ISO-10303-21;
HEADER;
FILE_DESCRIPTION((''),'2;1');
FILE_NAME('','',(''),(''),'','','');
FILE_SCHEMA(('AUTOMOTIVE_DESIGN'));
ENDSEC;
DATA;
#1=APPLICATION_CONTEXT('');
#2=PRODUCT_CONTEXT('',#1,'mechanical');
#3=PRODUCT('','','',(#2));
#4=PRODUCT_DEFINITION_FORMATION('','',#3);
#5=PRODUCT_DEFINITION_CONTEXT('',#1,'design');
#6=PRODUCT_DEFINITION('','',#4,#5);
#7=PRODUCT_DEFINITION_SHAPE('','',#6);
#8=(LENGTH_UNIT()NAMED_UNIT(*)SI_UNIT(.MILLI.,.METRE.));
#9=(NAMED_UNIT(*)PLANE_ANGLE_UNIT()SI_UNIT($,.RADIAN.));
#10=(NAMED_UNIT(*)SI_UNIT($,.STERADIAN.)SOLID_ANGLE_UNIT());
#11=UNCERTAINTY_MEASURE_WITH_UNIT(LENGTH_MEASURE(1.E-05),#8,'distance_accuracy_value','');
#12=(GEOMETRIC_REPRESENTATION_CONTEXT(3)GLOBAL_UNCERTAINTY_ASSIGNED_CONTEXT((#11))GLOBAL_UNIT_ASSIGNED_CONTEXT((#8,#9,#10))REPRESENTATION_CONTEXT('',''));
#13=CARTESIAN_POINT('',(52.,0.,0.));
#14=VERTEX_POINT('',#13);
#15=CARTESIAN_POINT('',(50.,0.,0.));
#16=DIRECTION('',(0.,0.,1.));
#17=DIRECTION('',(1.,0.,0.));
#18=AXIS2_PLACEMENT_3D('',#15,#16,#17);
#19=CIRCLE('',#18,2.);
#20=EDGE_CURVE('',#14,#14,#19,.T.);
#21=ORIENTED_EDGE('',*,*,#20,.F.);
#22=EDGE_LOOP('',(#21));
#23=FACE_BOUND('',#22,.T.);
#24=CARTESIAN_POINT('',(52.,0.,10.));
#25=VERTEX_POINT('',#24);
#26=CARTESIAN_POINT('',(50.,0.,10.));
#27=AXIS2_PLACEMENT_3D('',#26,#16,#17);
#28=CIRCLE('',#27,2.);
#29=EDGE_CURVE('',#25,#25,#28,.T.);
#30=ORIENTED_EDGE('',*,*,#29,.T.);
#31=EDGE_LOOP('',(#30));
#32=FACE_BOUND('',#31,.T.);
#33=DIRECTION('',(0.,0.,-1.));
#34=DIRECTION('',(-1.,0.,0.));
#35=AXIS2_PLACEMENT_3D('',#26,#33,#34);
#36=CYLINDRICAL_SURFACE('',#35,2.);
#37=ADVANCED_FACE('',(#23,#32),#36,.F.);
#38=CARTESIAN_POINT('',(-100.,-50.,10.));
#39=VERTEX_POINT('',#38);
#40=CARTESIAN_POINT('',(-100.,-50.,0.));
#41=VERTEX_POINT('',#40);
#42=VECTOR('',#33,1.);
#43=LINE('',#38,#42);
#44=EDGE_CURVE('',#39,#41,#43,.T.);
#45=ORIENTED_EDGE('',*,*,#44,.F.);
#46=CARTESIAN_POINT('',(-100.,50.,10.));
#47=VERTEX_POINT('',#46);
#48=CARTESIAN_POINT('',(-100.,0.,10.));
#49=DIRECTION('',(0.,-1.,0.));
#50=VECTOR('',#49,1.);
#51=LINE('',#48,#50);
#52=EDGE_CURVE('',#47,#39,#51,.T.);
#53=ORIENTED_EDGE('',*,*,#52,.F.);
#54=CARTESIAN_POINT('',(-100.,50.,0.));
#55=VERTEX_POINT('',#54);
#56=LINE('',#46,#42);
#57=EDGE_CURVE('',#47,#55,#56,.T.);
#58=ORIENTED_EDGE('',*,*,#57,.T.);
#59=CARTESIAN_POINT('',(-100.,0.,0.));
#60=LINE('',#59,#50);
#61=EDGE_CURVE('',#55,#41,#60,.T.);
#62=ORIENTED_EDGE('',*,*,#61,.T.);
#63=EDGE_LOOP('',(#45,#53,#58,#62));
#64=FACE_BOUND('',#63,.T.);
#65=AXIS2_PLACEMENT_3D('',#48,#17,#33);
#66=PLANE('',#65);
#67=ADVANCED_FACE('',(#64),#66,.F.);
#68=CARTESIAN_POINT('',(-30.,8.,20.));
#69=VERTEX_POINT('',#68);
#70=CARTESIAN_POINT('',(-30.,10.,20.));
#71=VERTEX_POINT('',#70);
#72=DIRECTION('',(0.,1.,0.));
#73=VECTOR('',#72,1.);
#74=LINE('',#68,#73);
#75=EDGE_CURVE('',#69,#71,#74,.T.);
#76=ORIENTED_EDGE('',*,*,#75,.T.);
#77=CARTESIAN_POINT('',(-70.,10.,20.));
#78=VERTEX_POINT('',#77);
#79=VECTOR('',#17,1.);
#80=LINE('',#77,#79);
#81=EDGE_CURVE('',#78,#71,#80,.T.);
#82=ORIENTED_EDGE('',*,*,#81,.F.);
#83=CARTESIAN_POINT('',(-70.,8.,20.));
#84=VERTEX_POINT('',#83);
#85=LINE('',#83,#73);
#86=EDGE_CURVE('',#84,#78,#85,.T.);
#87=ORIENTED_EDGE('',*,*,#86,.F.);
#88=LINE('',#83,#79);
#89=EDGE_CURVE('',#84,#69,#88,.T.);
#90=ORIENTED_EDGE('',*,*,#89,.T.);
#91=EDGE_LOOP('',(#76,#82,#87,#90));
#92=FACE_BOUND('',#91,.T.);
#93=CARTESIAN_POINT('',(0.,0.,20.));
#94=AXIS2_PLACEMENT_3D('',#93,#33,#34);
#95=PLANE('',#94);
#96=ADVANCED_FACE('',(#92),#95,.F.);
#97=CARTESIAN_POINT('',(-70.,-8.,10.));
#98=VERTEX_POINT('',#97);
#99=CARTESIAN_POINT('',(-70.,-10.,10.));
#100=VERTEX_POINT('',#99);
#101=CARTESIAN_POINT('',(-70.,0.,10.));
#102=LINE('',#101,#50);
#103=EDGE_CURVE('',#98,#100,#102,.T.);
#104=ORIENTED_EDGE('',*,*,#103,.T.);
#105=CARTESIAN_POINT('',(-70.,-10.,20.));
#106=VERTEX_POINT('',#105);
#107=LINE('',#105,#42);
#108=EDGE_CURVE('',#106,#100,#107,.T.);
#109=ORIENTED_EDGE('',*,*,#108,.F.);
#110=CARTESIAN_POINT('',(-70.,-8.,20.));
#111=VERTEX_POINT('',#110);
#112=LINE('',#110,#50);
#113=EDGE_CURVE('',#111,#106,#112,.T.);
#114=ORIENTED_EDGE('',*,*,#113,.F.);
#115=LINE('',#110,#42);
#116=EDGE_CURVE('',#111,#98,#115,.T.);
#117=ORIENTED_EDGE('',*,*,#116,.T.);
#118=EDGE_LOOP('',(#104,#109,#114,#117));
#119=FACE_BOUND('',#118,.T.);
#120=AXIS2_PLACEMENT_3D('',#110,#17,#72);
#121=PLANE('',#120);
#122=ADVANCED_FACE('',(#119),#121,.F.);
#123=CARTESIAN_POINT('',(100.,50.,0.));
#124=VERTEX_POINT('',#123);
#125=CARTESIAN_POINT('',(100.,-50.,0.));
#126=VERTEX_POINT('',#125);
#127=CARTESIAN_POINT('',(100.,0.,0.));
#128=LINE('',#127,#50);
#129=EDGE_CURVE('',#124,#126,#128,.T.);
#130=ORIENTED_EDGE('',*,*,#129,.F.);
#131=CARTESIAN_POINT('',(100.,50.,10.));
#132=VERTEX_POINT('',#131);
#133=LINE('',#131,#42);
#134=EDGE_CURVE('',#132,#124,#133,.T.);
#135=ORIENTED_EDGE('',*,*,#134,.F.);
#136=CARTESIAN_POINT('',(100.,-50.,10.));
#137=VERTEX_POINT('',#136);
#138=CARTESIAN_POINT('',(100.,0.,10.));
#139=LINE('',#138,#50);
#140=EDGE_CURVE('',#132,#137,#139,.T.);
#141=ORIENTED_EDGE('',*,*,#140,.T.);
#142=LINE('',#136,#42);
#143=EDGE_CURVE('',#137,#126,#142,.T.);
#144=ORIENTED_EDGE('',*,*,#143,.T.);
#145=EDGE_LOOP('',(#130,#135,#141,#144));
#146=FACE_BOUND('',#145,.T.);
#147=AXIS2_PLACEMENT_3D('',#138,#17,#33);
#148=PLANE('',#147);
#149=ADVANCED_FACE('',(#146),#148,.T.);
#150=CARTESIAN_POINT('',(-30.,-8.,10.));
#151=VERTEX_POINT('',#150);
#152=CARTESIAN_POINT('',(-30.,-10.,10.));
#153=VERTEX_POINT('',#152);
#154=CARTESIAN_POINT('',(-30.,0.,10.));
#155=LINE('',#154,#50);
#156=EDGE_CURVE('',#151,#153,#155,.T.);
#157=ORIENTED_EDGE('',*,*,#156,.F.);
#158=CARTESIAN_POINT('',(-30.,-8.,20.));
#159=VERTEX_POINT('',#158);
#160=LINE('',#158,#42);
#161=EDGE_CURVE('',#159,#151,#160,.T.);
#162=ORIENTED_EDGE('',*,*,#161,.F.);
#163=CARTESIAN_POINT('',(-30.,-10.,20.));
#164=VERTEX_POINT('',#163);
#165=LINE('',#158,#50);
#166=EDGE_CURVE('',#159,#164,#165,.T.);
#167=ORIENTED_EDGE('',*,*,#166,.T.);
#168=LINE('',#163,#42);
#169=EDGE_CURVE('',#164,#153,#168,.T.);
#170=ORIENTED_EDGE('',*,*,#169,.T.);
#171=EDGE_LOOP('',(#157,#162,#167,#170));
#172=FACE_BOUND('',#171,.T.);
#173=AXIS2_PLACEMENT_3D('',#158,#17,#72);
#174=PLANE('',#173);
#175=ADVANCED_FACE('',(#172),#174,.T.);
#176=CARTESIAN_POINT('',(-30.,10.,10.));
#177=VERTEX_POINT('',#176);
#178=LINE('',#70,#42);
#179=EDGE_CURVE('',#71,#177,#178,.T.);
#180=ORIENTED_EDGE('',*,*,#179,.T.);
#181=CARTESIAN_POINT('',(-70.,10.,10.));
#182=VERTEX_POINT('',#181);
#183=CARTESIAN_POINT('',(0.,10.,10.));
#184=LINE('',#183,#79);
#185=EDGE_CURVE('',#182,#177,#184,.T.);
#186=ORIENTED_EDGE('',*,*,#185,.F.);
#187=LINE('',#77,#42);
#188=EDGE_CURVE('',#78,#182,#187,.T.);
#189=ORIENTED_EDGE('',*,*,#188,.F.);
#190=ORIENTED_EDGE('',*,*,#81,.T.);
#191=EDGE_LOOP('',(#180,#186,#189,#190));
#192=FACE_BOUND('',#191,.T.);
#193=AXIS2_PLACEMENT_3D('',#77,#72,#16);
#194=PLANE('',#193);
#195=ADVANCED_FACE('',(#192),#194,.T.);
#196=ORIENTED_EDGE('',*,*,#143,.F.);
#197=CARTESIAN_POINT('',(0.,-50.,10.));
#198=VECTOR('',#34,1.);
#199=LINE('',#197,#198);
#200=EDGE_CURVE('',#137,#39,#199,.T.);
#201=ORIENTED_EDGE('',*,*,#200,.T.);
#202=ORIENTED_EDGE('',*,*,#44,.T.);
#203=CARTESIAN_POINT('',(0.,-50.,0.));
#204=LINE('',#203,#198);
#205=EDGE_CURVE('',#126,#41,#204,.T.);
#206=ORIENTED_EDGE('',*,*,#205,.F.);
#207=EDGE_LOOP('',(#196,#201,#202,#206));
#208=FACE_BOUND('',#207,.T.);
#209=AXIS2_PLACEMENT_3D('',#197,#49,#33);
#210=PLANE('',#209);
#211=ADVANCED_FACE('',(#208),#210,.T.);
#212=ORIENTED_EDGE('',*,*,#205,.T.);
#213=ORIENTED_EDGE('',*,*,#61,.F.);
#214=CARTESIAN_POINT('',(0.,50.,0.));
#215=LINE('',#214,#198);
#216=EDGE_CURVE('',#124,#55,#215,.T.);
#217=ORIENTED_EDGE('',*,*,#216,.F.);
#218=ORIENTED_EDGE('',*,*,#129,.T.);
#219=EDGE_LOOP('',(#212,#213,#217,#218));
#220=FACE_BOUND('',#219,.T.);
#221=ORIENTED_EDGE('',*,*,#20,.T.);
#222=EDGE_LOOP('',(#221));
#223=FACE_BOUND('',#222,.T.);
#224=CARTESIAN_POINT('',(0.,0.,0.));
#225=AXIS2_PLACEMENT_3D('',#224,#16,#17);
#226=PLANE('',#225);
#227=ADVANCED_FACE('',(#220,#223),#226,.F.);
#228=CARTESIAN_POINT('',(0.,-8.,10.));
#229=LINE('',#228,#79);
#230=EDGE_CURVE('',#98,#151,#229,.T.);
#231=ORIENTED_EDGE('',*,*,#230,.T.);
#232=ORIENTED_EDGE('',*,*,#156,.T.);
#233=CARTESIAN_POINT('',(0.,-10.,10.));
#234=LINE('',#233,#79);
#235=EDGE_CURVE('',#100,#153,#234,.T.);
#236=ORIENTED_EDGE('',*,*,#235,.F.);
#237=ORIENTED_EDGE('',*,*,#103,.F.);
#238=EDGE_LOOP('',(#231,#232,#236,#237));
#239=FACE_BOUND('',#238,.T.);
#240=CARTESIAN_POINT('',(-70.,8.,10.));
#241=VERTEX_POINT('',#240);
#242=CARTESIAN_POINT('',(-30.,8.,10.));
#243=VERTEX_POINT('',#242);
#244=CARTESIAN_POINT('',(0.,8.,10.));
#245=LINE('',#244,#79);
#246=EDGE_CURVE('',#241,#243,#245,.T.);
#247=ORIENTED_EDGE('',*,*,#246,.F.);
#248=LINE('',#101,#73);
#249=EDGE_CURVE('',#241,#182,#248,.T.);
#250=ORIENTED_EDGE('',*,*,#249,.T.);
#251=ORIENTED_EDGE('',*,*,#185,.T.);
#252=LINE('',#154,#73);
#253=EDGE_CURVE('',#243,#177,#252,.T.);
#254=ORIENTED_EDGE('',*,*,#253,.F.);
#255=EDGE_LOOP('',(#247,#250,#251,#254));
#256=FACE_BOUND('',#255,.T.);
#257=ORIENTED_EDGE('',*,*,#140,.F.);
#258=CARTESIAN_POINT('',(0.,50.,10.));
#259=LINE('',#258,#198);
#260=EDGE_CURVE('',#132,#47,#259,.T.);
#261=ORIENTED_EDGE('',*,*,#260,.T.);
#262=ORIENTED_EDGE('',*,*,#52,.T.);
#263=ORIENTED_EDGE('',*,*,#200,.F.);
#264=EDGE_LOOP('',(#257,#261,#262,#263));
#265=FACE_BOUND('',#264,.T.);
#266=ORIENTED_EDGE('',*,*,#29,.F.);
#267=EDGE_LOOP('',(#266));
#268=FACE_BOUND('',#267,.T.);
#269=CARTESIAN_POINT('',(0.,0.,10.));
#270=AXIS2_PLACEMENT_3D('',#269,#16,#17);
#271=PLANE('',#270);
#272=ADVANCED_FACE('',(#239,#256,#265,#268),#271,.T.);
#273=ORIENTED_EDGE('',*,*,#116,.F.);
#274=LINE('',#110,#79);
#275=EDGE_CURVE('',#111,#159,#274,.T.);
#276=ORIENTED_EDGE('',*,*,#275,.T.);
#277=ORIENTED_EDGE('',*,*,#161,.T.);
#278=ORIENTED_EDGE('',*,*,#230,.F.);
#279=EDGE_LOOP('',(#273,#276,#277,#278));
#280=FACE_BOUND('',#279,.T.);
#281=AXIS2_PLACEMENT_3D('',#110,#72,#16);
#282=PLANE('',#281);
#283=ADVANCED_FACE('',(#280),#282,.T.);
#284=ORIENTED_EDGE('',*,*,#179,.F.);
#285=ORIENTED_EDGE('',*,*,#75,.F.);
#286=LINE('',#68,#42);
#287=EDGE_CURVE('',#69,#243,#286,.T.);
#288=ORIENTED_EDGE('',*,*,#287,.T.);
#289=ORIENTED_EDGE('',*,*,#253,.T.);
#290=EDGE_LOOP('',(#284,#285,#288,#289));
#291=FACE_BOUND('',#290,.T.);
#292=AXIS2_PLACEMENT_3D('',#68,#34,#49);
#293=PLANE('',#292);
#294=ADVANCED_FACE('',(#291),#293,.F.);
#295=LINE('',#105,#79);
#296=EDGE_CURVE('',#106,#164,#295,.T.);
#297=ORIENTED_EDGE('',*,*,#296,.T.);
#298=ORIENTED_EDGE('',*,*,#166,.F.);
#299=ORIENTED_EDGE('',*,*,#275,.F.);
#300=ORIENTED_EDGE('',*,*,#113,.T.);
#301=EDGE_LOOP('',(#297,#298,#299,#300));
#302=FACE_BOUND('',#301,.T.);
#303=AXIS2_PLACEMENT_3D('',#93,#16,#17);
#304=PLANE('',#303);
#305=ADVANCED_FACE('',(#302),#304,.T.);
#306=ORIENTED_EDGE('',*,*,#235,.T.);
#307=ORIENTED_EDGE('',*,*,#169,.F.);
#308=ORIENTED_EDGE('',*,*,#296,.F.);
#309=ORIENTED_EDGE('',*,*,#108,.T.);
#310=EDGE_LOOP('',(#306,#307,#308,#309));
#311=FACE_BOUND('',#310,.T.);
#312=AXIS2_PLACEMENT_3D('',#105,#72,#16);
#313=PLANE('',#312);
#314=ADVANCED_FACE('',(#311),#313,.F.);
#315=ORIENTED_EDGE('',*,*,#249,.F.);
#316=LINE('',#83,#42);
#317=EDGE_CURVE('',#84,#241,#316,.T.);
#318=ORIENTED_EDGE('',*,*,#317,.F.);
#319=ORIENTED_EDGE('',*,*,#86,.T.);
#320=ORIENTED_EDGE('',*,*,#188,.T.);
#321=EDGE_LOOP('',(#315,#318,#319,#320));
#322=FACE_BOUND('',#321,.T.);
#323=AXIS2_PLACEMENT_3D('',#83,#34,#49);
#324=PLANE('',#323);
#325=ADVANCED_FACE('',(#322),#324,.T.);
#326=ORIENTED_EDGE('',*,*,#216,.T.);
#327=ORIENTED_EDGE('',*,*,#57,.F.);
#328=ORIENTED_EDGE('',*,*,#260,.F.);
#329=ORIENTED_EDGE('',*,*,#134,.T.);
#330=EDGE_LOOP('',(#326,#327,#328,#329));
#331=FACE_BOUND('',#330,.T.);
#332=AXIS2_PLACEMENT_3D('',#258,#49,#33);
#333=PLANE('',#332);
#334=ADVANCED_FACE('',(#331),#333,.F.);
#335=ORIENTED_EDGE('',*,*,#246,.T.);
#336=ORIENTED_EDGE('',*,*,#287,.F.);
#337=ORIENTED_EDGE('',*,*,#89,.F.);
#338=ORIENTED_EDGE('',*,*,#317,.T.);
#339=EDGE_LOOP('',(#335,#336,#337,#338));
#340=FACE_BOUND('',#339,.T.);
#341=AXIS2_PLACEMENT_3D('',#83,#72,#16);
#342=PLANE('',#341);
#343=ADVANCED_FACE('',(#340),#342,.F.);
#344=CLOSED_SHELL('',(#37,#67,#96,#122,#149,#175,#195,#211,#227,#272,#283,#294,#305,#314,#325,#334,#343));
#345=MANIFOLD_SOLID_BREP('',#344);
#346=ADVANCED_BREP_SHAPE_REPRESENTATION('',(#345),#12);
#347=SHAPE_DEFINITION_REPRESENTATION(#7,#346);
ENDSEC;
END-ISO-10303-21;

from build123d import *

# Parameters (mm, degrees)
SKETCH1_W           = 40
SKETCH1_H           = 2
BOSS_EXTRUDE2_DEPTH = 10
SKETCH1_4_W         = 40
SKETCH1_4_H         = 2
BOSS_EXTRUDE3_DEPTH = 20


with BuildPart() as part:
    # Sketch1 → Boss-Extrude2 (new body)
    with BuildSketch(Plane.XY):
        Polygon((-100, -50), (50, -50), (100, -50), (100, 50), (-100, 50), align=None)
        Polygon((-70, -10), (-70, -8), (-30, -8), (-30, -10), (-40, -10), (-60, -10), align=None, mode=Mode.SUBTRACT)
        with Locations((-50, 9)):
            Rectangle(SKETCH1_W, SKETCH1_H, mode=Mode.SUBTRACT)
        with BuildLine():
            ThreePointArc((52, 0), (51.414213562, -1.414213562), (50, -2))
            ThreePointArc((50, -2), (48.585786438, 1.414213562), (52, 0))
        make_face(mode=Mode.SUBTRACT)
    extrude(amount=BOSS_EXTRUDE2_DEPTH)

    # Sketch1_4 → Boss-Extrude3 (add)
    with BuildSketch(Plane.XY):
        with Locations((-50, 9)):
            Rectangle(SKETCH1_4_W, SKETCH1_4_H)
        with Locations((-50, -9)):
            Rectangle(SKETCH1_4_W, SKETCH1_4_H)
    extrude(amount=BOSS_EXTRUDE3_DEPTH)


solid = part.part
